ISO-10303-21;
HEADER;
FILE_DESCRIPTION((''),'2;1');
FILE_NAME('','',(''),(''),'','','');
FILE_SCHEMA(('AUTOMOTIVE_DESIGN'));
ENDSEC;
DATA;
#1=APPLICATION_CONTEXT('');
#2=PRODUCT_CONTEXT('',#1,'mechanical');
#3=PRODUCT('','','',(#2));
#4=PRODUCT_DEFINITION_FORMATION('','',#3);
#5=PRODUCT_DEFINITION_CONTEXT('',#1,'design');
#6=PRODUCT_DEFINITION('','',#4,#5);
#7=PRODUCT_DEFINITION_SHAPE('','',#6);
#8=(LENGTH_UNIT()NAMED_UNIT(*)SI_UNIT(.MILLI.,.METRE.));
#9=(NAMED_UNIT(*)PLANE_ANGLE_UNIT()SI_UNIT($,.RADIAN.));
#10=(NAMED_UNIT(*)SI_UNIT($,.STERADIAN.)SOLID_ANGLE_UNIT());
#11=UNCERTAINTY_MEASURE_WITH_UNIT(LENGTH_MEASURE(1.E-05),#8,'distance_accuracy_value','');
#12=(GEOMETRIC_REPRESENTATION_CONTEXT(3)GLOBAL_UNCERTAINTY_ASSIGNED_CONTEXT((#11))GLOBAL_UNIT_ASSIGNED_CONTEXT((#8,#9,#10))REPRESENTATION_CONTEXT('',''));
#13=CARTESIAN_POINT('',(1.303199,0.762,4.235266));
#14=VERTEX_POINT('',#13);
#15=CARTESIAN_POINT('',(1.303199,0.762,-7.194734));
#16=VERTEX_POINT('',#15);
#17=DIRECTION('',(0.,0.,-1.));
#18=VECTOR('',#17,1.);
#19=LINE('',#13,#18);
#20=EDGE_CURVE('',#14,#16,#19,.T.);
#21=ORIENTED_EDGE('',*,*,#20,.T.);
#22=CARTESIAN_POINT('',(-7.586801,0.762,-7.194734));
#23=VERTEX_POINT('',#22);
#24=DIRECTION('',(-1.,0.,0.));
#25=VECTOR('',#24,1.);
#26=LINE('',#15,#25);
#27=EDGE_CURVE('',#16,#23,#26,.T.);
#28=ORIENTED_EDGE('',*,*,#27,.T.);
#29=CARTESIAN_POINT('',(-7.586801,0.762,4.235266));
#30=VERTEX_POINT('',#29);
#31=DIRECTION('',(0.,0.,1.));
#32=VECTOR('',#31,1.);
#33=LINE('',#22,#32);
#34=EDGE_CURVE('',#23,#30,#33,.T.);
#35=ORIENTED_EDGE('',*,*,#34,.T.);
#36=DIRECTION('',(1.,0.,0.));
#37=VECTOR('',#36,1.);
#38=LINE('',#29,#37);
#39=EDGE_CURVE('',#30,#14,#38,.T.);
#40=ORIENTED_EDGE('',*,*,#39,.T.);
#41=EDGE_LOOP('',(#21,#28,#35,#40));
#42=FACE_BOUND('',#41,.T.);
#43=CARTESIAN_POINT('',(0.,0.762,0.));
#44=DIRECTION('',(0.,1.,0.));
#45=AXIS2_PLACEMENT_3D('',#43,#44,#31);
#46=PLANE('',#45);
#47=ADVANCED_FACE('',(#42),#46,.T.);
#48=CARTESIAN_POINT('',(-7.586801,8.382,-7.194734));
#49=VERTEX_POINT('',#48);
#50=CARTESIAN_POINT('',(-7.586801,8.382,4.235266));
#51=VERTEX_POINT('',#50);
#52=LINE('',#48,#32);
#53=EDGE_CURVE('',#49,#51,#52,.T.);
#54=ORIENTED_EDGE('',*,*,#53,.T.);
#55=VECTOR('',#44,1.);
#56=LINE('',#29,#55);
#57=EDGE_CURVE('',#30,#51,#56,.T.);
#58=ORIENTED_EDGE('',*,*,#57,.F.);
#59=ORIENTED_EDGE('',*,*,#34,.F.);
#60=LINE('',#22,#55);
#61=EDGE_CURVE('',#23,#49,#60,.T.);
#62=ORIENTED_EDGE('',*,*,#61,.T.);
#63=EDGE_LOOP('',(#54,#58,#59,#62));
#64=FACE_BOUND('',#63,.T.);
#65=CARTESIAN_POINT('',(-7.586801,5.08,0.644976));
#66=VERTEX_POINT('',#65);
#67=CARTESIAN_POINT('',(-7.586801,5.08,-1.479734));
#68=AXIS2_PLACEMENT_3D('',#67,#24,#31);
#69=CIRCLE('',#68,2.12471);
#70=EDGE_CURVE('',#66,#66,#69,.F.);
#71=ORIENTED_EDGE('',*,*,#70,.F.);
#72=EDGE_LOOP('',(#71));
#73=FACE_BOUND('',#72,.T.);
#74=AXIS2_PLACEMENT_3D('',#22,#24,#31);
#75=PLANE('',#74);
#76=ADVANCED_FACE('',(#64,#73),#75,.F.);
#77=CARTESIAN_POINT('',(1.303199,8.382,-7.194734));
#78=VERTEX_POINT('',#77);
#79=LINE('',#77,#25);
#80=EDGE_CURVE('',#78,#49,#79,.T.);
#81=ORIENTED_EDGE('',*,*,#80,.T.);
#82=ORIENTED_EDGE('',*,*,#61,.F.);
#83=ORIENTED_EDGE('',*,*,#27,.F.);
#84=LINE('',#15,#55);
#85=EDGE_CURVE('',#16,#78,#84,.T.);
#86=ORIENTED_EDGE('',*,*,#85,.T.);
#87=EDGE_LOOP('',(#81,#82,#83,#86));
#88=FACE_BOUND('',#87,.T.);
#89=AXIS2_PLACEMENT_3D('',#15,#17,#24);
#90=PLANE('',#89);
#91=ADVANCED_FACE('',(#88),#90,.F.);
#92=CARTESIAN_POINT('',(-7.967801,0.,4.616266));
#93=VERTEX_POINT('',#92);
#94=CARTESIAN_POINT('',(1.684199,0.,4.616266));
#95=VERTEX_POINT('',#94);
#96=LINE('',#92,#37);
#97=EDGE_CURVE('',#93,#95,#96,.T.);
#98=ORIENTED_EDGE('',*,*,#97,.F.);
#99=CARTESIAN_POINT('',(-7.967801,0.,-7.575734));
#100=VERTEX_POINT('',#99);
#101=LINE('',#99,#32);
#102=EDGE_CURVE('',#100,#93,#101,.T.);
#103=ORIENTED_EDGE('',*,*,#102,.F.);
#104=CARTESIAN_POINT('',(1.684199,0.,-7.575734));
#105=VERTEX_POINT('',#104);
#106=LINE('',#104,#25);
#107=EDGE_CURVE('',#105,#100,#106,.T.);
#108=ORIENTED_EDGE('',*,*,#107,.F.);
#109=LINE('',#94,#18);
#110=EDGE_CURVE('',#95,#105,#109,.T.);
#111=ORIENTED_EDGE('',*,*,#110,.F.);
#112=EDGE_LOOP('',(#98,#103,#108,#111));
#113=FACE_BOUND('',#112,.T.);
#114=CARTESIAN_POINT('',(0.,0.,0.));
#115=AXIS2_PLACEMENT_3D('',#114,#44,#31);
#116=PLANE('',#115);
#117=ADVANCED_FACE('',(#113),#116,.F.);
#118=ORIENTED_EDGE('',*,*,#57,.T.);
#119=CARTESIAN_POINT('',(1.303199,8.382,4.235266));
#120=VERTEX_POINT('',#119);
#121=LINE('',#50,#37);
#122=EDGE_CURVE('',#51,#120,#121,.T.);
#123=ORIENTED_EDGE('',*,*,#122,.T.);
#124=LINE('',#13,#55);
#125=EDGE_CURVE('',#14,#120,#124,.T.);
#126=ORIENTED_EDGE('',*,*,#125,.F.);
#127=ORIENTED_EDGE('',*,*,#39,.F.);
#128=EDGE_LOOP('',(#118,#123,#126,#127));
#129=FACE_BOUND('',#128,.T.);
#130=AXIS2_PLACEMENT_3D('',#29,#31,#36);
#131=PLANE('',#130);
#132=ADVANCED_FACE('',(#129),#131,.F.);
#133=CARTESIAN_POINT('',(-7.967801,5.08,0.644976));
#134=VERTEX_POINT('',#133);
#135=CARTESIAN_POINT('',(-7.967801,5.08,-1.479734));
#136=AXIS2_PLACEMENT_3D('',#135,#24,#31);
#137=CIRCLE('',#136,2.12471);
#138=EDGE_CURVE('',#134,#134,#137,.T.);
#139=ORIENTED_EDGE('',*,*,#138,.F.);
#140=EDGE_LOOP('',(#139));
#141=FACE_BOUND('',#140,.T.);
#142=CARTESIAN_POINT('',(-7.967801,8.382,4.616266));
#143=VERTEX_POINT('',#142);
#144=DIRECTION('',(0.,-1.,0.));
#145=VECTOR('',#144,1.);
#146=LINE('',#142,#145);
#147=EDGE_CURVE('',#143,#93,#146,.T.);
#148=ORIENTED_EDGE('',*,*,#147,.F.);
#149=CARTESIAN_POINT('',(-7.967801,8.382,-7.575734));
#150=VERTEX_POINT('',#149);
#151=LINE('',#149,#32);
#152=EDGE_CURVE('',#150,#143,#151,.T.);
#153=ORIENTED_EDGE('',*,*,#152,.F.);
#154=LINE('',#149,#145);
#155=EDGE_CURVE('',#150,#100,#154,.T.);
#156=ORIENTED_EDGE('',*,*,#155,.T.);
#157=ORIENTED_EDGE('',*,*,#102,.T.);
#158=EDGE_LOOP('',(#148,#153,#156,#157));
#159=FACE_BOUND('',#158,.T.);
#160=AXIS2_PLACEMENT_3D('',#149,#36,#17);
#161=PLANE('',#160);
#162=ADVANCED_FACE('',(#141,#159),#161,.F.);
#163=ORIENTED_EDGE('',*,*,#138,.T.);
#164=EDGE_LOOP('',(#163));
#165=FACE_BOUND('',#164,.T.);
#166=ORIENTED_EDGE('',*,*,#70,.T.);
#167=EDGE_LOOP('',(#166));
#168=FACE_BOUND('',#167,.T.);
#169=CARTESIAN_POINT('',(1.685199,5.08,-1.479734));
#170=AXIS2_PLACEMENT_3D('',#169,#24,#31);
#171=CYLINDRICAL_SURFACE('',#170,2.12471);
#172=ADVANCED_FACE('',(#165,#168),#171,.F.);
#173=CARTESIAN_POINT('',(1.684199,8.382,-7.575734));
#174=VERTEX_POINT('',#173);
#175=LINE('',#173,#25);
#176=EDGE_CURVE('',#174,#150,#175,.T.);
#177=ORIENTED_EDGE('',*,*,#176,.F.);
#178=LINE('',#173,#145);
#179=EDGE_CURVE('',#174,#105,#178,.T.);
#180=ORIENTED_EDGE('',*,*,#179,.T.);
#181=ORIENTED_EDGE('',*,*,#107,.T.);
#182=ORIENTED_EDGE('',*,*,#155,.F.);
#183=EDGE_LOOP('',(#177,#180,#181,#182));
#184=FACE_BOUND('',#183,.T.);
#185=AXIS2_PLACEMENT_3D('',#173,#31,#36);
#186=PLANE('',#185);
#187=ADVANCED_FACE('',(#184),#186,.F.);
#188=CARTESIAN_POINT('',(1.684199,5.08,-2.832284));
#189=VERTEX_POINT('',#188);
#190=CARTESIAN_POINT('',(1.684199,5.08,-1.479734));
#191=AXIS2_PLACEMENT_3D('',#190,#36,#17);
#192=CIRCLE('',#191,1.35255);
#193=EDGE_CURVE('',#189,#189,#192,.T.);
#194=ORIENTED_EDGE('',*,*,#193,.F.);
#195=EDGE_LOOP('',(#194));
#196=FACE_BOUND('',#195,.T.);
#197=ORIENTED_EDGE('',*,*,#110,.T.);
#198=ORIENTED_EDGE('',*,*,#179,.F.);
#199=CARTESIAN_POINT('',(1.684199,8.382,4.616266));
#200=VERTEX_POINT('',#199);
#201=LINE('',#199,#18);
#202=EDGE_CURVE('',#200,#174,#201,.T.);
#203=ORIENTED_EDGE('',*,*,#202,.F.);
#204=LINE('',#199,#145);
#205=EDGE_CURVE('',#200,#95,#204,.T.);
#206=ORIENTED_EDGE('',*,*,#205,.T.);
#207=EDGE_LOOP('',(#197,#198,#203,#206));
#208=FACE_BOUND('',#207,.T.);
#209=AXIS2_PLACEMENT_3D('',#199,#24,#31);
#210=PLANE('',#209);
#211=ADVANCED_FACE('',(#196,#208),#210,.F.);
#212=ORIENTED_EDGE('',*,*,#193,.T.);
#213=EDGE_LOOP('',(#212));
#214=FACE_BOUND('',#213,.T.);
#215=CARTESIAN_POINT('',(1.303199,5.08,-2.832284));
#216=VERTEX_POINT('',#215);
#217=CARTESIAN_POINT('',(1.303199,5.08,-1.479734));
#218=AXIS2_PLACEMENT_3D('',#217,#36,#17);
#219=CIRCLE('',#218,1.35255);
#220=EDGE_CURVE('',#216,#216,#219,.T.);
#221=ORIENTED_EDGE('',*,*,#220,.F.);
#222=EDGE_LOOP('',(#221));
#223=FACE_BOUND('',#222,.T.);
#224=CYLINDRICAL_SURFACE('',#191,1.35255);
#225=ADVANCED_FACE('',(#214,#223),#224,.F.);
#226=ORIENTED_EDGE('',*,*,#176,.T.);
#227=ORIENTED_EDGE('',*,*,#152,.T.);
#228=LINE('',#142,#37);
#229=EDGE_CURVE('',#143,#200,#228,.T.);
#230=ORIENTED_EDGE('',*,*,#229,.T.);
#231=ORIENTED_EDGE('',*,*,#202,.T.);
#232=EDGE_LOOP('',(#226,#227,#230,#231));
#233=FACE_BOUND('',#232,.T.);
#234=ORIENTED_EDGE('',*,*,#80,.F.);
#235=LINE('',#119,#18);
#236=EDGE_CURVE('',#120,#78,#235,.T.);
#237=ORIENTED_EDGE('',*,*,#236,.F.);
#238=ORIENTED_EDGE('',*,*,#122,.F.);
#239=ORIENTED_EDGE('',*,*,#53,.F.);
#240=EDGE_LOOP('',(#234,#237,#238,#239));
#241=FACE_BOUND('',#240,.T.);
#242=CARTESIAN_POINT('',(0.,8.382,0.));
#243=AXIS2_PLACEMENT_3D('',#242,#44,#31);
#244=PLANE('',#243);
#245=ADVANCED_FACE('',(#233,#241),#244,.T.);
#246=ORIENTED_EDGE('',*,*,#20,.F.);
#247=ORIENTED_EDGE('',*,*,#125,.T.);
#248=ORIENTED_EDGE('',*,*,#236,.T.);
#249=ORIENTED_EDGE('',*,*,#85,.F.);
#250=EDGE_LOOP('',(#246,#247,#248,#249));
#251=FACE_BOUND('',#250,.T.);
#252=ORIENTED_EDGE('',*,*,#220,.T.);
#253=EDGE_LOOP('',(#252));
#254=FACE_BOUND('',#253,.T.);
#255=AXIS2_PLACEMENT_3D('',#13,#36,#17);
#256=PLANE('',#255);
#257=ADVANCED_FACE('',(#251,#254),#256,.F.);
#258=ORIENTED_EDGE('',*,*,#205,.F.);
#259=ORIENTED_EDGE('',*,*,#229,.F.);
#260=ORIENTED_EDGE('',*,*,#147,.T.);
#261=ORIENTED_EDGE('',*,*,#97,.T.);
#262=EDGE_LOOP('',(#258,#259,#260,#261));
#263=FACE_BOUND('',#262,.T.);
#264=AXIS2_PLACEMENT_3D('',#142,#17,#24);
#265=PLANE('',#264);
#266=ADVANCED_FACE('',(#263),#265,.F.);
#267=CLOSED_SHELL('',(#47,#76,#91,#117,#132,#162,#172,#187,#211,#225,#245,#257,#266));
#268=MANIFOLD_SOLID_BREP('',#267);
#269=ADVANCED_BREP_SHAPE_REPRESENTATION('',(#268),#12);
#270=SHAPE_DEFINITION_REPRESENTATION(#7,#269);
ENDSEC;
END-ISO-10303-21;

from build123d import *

# Parameters (mm, degrees)
SKETCH1_W                 = 9.652
SKETCH1_H                 = 12.192
BOSS_EXTRUDE1_DEPTH       = 8.382
SKETCH4_W                 = 8.89
SKETCH4_H                 = 11.43
CUT_EXTRUDE1_DEPTH        = 7.62
CUT_EXTRUDE2_REACH        = 11.652
SKETCH6_R                 = 2.12471
F_6_32_TAPPED_HOLE2_D     = 2.7051
F_6_32_TAPPED_HOLE2_DEPTH = 0.381


with BuildPart() as part:
    # Sketch1 → Boss-Extrude1 (new body)
    with BuildSketch(Plane(origin=(0, 0, 0), x_dir=(1, 0, 0), z_dir=(0, 1, 0))):
        with Locations((-3.14180083, 1.47973444)):
            Rectangle(SKETCH1_W, SKETCH1_H)
    extrude(amount=BOSS_EXTRUDE1_DEPTH)

    # Sketch4 → Cut-Extrude1 (cut)
    with BuildSketch(Plane(origin=(0, 8.382, 0), x_dir=(1, 0, 0), z_dir=(0, 1, 0))):
        with Locations((-3.14180083, 1.47973444)):
            Rectangle(SKETCH4_W, SKETCH4_H)
    extrude(amount=-CUT_EXTRUDE1_DEPTH, mode=Mode.SUBTRACT)

    # Sketch6 → Cut-Extrude2 (cut, up to next)
    with BuildSketch(Plane.ZY.offset(7.96780083), mode=Mode.PRIVATE) as cut_extrude2_sk1:
        with Locations((-1.47973444, 5.08)):
            Circle(SKETCH6_R)
    cut_extrude2_tool1 = extrude(cut_extrude2_sk1.sketch, amount=-CUT_EXTRUDE2_REACH, mode=Mode.PRIVATE) & part.part
    add(cut_extrude2_tool1.solids().sort_by_distance((-7.967801, 5.08, -1.479734))[0], mode=Mode.SUBTRACT)

    # #6-32 Tapped Hole2
    with Locations(Plane(origin=(1.68419917, 0, 0), x_dir=(0, 0, -1), z_dir=(1, 0, 0))):
        with Locations((1.47973444, 5.08)):
            Hole(F_6_32_TAPPED_HOLE2_D / 2, depth=F_6_32_TAPPED_HOLE2_DEPTH)


solid = part.part
